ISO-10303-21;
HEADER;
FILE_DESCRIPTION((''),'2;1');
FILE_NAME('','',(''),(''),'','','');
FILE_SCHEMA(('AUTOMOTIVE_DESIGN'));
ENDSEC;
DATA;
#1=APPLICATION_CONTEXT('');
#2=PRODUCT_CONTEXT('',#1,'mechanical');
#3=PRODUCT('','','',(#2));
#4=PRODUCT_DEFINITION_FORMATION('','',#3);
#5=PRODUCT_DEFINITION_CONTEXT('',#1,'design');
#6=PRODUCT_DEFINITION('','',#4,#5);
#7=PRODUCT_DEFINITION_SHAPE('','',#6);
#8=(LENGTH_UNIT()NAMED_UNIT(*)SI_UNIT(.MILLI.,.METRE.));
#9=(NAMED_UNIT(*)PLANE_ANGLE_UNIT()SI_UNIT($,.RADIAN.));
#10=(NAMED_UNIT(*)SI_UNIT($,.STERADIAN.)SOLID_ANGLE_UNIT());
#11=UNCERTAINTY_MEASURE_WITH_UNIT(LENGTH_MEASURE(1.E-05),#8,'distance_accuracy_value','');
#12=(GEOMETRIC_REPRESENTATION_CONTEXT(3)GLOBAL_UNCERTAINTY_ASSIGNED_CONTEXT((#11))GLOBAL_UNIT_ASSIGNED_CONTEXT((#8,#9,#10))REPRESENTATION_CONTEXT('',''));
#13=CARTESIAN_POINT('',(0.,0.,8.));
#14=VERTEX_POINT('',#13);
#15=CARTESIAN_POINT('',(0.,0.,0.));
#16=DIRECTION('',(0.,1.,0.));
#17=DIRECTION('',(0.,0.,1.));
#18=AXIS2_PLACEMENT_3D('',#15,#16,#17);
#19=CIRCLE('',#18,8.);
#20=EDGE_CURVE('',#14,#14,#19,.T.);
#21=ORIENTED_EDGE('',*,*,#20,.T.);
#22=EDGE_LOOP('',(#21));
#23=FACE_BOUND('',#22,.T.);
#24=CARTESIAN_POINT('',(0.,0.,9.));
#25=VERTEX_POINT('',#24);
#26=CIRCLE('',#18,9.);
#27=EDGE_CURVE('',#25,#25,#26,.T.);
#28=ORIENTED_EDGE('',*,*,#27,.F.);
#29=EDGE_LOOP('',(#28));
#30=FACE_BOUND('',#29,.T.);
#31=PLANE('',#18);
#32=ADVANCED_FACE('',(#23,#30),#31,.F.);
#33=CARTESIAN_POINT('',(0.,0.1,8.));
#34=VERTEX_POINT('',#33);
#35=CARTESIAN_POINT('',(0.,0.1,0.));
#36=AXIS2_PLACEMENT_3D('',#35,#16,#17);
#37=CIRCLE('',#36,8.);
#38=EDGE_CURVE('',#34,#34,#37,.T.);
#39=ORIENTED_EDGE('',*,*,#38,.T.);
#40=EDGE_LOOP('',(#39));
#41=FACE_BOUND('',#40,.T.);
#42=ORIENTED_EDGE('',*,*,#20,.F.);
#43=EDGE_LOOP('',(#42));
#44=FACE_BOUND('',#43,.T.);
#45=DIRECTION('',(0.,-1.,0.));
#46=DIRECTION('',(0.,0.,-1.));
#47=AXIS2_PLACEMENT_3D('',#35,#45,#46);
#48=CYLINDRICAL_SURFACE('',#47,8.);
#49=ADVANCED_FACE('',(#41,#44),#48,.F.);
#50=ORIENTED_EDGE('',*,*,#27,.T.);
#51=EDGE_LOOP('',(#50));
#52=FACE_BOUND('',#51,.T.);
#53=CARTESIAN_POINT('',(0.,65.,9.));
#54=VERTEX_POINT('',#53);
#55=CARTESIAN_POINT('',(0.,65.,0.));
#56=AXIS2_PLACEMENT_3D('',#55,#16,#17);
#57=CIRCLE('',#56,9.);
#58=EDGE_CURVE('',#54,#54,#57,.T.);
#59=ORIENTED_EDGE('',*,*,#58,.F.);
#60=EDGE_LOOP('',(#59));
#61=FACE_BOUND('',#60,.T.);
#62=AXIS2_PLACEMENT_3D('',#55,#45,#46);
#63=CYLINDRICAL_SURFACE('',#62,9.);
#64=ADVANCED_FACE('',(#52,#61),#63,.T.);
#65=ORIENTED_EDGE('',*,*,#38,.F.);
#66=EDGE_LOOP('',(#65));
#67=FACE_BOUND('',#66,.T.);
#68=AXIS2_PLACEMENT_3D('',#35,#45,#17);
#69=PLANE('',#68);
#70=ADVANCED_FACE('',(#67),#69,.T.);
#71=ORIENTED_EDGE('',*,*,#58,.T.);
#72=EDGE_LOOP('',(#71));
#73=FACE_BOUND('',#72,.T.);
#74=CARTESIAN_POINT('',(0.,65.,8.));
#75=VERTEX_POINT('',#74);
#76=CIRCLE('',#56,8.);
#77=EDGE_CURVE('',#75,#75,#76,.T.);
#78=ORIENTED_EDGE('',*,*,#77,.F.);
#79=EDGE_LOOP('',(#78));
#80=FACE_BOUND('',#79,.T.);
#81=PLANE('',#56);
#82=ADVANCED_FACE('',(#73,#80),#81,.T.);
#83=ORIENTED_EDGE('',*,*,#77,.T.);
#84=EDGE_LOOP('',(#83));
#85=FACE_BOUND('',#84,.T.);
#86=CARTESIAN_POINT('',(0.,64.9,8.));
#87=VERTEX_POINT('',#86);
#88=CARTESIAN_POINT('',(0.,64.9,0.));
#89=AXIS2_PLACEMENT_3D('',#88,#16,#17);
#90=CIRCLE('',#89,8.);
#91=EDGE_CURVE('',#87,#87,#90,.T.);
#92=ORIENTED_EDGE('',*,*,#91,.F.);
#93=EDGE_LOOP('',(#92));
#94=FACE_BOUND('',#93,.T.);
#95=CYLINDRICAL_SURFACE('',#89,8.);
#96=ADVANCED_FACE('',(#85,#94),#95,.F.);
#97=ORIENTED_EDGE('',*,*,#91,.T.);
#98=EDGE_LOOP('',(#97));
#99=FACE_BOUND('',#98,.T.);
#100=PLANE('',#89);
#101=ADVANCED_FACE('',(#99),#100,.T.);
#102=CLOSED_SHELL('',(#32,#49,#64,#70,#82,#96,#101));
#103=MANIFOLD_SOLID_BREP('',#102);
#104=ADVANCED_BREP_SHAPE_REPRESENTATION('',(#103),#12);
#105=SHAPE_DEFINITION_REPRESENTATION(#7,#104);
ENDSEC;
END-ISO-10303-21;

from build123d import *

# Parameters (mm, degrees)
SKETCH1_R           = 9
BOSS_EXTRUDE1_DEPTH = 65
SKETCH2_R           = 8
CUT_EXTRUDE1_DEPTH  = 0.1


with BuildPart() as part:
    # Sketch1 → Boss-Extrude1 (new body)
    with BuildSketch(Plane(origin=(0, 0, 0), x_dir=(1, 0, 0), z_dir=(0, 1, 0))):
        with Locations(Location((0, 0, 0), (0, 0, 270))):
            Circle(SKETCH1_R)
    extrude(amount=BOSS_EXTRUDE1_DEPTH)

    # Sketch2 → Cut-Extrude1 (cut)
    with BuildSketch(Plane(origin=(0, 65, 0), x_dir=(1, 0, 0), z_dir=(0, 1, 0))):
        with Locations(Location((0, 0, 0), (0, 0, 270))):
            Circle(SKETCH2_R)
    cut_extrude1 = extrude(amount=-CUT_EXTRUDE1_DEPTH, mode=Mode.SUBTRACT)

    # Mirror1: Cut-Extrude1 across plane
    add(cut_extrude1.mirror(Plane.ZX.offset(32.5)), mode=Mode.SUBTRACT)


solid = part.part
